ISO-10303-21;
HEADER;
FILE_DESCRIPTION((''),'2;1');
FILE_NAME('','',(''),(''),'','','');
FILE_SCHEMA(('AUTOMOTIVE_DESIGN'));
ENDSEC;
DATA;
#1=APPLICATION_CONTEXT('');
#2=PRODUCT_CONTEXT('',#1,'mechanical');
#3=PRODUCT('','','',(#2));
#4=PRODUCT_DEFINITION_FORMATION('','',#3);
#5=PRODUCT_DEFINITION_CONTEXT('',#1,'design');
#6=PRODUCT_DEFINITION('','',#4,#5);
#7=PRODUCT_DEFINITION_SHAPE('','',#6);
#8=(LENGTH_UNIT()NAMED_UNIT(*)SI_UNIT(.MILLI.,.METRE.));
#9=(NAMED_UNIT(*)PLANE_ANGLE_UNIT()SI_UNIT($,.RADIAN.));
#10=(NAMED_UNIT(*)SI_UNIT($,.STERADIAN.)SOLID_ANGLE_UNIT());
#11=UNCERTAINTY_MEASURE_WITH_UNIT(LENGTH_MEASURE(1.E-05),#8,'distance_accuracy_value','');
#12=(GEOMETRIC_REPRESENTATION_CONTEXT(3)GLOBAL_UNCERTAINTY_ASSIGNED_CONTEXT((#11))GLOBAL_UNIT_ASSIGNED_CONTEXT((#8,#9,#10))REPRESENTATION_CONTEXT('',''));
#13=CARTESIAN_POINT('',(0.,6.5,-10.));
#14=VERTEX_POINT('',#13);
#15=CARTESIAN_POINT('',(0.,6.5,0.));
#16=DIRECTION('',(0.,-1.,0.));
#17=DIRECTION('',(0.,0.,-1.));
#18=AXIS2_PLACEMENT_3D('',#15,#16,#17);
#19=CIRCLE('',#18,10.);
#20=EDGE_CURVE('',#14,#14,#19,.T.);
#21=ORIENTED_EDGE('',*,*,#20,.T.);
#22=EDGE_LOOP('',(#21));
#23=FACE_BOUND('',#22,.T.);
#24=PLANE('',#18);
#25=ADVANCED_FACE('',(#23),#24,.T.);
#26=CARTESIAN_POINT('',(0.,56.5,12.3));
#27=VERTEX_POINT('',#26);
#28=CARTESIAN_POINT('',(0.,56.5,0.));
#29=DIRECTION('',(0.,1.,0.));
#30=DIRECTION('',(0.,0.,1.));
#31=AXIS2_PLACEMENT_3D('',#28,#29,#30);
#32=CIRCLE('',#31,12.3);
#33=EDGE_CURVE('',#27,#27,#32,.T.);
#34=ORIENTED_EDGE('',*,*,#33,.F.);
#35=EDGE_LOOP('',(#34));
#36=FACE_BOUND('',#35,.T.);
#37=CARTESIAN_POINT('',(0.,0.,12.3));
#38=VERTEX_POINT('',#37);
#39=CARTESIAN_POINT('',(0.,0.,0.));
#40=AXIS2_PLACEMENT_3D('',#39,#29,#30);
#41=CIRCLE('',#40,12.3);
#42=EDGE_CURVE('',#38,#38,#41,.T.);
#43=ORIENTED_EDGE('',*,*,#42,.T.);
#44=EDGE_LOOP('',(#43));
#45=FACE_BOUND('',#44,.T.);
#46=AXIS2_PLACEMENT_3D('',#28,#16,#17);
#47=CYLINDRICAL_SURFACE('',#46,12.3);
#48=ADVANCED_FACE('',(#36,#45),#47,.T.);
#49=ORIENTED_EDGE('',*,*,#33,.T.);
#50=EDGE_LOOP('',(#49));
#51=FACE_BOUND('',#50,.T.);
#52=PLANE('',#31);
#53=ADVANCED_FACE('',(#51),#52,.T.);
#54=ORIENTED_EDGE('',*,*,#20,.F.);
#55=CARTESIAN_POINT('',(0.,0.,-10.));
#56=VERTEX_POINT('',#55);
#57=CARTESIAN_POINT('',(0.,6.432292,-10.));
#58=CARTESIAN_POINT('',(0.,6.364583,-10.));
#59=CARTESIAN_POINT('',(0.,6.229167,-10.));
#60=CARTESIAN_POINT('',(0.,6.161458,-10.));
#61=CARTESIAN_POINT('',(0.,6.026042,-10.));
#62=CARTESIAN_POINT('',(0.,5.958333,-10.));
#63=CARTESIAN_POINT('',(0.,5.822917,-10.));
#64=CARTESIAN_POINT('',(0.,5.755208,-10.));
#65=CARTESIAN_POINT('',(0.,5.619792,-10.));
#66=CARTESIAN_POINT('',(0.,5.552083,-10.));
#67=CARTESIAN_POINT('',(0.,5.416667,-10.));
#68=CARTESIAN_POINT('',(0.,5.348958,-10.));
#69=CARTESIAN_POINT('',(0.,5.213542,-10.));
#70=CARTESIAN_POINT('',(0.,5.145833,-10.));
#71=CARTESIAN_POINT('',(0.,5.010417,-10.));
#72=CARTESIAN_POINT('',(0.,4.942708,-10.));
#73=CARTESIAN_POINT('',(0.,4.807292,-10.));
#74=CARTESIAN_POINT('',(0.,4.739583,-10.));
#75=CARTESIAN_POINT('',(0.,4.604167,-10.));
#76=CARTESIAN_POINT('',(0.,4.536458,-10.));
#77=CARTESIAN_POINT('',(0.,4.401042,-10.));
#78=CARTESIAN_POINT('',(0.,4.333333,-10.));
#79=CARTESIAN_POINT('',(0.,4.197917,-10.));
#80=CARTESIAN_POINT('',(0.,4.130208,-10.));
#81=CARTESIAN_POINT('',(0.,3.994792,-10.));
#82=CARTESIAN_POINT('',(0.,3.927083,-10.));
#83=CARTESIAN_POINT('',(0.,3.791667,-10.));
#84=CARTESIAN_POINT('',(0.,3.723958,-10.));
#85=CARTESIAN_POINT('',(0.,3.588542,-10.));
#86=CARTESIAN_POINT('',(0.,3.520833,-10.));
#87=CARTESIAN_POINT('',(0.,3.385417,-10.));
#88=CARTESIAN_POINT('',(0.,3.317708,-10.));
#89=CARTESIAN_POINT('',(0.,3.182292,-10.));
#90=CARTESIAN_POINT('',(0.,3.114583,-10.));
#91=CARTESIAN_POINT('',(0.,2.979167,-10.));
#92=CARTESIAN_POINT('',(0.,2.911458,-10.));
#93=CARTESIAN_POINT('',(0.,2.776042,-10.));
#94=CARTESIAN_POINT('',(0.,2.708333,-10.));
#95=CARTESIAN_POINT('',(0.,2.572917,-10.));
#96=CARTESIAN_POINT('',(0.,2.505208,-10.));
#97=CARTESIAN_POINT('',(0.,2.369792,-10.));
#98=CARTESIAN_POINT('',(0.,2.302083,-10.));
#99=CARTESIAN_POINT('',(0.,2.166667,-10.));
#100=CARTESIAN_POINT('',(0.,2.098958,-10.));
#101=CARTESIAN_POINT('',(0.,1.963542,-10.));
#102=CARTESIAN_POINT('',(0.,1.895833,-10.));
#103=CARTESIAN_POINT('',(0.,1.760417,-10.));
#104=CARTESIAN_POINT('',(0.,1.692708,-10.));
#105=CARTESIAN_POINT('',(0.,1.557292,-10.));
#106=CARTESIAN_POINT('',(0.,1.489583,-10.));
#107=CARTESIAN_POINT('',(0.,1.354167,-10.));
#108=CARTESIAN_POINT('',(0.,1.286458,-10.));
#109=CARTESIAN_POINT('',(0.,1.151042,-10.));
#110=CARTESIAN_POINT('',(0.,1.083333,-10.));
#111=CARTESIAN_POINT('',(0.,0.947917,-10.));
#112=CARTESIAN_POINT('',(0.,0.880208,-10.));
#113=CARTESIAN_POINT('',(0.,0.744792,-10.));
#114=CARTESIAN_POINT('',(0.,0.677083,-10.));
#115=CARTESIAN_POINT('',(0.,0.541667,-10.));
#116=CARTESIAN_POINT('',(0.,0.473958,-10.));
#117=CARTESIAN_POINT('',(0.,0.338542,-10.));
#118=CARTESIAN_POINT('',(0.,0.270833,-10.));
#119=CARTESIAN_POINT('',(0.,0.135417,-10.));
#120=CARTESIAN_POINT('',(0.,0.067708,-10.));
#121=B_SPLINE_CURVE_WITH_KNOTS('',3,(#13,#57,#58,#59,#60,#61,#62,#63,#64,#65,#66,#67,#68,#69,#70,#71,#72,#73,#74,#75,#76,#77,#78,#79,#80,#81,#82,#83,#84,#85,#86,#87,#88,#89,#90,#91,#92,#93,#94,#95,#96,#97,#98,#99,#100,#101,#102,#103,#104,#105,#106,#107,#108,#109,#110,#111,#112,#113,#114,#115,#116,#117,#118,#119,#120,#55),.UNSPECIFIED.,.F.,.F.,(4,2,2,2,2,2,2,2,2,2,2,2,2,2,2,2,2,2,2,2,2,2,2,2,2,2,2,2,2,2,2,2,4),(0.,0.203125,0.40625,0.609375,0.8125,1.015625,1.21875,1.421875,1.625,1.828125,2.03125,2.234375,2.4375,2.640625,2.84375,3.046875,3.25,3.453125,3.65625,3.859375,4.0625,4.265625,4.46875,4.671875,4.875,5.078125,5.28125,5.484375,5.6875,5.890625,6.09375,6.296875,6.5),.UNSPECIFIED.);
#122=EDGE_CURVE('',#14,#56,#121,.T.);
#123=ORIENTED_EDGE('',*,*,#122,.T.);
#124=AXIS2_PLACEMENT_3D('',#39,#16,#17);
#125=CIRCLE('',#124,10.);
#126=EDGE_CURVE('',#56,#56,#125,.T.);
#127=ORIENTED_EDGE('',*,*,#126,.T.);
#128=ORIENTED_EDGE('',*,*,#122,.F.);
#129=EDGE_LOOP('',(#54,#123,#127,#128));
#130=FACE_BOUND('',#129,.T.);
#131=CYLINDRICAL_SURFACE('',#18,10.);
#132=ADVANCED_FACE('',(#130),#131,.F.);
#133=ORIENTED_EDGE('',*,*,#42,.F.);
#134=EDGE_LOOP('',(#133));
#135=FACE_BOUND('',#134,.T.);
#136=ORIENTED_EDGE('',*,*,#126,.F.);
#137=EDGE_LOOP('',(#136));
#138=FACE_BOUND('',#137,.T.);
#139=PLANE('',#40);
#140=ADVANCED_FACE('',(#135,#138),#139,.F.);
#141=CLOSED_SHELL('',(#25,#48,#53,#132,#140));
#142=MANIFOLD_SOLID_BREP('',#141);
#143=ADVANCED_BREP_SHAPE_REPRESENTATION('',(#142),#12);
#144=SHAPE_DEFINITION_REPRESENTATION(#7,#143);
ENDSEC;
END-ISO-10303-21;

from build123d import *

# Parameters (mm, degrees)
SKETCH1_R           = 12.3
BOSS_EXTRUDE1_DEPTH = 56.5
SKETCH2_R           = 10
CUT_EXTRUDE1_DEPTH  = 6.5


with BuildPart() as part:
    # Sketch1 → Boss-Extrude1 (new body)
    with BuildSketch(Plane(origin=(0, 0, 0), x_dir=(1, 0, 0), z_dir=(0, 1, 0))):
        with Locations(Location((0, 0, 0), (0, 0, 270))):
            Circle(SKETCH1_R)
    extrude(amount=BOSS_EXTRUDE1_DEPTH)

    # Sketch2 → Cut-Extrude1 (cut)
    with BuildSketch(Plane.XZ):
        with Locations(Location((0, 0, 0), (0, 0, 270))):
            Circle(SKETCH2_R)
    extrude(amount=-CUT_EXTRUDE1_DEPTH, mode=Mode.SUBTRACT)


solid = part.part
